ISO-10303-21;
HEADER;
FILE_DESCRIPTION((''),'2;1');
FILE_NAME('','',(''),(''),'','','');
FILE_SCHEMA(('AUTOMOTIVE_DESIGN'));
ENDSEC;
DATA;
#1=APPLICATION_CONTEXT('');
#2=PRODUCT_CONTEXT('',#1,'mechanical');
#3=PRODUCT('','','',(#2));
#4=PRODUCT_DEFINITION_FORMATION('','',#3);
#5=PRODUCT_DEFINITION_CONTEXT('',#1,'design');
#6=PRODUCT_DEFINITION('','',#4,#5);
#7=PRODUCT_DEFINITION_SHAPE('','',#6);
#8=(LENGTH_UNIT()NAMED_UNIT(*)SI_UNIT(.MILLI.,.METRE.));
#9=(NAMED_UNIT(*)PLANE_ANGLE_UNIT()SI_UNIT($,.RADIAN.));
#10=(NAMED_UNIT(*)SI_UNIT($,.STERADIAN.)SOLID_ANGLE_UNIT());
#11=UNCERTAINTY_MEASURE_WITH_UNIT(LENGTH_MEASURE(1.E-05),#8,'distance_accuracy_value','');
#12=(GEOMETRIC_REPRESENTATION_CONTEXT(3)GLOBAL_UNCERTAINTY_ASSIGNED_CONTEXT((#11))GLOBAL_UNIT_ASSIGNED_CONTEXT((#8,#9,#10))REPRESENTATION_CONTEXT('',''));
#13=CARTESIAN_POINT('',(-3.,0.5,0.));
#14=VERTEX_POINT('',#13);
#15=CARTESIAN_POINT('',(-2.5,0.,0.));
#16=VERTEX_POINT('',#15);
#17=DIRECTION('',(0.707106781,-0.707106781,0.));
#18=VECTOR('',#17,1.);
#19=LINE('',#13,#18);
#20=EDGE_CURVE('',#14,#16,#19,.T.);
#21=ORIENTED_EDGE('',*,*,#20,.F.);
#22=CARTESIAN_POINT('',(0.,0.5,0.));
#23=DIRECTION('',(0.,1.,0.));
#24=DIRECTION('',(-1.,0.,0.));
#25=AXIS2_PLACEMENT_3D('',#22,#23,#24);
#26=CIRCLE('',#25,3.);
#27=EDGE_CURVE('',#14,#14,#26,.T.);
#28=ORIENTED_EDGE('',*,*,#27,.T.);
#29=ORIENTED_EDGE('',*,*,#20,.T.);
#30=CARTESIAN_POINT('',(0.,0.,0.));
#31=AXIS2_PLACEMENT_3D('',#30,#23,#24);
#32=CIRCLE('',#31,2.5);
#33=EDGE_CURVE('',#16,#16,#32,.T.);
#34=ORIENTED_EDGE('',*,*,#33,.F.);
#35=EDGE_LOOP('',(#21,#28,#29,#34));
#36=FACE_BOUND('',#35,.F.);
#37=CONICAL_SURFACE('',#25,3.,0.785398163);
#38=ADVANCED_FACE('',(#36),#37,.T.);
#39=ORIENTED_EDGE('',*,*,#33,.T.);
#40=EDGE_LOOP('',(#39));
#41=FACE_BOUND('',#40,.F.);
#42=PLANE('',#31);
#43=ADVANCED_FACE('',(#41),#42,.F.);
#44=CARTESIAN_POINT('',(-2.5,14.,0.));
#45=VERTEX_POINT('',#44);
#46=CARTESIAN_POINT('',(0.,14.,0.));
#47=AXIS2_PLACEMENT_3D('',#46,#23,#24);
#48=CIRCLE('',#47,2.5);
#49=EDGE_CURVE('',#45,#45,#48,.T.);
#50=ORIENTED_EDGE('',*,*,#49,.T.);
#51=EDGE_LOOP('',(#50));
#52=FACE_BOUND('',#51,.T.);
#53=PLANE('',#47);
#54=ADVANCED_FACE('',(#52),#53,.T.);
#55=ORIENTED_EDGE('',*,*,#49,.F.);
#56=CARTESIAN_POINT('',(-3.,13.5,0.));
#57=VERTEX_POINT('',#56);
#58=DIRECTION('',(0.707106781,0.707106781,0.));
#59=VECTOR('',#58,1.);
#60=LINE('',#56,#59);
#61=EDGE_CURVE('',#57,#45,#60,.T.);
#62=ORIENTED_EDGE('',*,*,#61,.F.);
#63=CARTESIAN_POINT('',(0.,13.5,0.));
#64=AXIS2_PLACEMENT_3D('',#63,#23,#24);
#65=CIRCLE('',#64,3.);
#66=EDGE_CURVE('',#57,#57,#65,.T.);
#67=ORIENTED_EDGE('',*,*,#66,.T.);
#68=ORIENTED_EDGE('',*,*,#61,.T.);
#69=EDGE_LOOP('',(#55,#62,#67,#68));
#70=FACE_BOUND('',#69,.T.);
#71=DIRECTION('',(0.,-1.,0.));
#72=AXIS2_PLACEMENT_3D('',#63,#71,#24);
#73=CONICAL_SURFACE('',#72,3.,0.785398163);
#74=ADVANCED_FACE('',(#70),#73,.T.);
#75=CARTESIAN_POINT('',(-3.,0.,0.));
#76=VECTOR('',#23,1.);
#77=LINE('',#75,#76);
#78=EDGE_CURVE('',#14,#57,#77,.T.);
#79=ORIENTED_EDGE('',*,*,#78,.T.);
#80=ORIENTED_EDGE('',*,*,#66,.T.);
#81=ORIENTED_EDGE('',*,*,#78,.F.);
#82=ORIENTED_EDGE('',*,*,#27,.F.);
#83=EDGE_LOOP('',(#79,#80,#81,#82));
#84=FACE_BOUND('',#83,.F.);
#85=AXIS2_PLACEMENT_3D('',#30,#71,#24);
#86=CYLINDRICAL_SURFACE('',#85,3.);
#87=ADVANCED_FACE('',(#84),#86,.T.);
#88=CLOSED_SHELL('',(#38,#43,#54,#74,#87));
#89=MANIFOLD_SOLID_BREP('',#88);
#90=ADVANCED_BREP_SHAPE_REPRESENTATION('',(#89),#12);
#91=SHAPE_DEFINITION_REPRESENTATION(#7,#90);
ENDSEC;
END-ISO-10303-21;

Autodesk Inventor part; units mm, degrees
ref_plane "YZ Plane" through (0, 0, 0) normal (1, 0, 0) x (0, 1, 0)
ref_plane "XZ Plane" through (0, 0, 0) normal (0, 1, 0) x (-1, 0, 0)
ref_plane "XY Plane" through (0, 0, 0) normal (0, 0, 1) x (1, 0, 0)
sketch "Sketch1" plane through (0, 0, 0) normal (0, 1, 0) x (-1, 0, 0)
  circle A0 centre (0, 0) radius 3
  dimension "d0" = 6
extrude "Extrusion1" add sketch "Sketch1" along normal blind 14
chamfer "Chamfer1" distance 0.5 angle 45 2 edges at (3, 14, 0) (3, 0, 0)
properties part number "dowel_pin_DIN_6325_short" material "Stainless Steel"
